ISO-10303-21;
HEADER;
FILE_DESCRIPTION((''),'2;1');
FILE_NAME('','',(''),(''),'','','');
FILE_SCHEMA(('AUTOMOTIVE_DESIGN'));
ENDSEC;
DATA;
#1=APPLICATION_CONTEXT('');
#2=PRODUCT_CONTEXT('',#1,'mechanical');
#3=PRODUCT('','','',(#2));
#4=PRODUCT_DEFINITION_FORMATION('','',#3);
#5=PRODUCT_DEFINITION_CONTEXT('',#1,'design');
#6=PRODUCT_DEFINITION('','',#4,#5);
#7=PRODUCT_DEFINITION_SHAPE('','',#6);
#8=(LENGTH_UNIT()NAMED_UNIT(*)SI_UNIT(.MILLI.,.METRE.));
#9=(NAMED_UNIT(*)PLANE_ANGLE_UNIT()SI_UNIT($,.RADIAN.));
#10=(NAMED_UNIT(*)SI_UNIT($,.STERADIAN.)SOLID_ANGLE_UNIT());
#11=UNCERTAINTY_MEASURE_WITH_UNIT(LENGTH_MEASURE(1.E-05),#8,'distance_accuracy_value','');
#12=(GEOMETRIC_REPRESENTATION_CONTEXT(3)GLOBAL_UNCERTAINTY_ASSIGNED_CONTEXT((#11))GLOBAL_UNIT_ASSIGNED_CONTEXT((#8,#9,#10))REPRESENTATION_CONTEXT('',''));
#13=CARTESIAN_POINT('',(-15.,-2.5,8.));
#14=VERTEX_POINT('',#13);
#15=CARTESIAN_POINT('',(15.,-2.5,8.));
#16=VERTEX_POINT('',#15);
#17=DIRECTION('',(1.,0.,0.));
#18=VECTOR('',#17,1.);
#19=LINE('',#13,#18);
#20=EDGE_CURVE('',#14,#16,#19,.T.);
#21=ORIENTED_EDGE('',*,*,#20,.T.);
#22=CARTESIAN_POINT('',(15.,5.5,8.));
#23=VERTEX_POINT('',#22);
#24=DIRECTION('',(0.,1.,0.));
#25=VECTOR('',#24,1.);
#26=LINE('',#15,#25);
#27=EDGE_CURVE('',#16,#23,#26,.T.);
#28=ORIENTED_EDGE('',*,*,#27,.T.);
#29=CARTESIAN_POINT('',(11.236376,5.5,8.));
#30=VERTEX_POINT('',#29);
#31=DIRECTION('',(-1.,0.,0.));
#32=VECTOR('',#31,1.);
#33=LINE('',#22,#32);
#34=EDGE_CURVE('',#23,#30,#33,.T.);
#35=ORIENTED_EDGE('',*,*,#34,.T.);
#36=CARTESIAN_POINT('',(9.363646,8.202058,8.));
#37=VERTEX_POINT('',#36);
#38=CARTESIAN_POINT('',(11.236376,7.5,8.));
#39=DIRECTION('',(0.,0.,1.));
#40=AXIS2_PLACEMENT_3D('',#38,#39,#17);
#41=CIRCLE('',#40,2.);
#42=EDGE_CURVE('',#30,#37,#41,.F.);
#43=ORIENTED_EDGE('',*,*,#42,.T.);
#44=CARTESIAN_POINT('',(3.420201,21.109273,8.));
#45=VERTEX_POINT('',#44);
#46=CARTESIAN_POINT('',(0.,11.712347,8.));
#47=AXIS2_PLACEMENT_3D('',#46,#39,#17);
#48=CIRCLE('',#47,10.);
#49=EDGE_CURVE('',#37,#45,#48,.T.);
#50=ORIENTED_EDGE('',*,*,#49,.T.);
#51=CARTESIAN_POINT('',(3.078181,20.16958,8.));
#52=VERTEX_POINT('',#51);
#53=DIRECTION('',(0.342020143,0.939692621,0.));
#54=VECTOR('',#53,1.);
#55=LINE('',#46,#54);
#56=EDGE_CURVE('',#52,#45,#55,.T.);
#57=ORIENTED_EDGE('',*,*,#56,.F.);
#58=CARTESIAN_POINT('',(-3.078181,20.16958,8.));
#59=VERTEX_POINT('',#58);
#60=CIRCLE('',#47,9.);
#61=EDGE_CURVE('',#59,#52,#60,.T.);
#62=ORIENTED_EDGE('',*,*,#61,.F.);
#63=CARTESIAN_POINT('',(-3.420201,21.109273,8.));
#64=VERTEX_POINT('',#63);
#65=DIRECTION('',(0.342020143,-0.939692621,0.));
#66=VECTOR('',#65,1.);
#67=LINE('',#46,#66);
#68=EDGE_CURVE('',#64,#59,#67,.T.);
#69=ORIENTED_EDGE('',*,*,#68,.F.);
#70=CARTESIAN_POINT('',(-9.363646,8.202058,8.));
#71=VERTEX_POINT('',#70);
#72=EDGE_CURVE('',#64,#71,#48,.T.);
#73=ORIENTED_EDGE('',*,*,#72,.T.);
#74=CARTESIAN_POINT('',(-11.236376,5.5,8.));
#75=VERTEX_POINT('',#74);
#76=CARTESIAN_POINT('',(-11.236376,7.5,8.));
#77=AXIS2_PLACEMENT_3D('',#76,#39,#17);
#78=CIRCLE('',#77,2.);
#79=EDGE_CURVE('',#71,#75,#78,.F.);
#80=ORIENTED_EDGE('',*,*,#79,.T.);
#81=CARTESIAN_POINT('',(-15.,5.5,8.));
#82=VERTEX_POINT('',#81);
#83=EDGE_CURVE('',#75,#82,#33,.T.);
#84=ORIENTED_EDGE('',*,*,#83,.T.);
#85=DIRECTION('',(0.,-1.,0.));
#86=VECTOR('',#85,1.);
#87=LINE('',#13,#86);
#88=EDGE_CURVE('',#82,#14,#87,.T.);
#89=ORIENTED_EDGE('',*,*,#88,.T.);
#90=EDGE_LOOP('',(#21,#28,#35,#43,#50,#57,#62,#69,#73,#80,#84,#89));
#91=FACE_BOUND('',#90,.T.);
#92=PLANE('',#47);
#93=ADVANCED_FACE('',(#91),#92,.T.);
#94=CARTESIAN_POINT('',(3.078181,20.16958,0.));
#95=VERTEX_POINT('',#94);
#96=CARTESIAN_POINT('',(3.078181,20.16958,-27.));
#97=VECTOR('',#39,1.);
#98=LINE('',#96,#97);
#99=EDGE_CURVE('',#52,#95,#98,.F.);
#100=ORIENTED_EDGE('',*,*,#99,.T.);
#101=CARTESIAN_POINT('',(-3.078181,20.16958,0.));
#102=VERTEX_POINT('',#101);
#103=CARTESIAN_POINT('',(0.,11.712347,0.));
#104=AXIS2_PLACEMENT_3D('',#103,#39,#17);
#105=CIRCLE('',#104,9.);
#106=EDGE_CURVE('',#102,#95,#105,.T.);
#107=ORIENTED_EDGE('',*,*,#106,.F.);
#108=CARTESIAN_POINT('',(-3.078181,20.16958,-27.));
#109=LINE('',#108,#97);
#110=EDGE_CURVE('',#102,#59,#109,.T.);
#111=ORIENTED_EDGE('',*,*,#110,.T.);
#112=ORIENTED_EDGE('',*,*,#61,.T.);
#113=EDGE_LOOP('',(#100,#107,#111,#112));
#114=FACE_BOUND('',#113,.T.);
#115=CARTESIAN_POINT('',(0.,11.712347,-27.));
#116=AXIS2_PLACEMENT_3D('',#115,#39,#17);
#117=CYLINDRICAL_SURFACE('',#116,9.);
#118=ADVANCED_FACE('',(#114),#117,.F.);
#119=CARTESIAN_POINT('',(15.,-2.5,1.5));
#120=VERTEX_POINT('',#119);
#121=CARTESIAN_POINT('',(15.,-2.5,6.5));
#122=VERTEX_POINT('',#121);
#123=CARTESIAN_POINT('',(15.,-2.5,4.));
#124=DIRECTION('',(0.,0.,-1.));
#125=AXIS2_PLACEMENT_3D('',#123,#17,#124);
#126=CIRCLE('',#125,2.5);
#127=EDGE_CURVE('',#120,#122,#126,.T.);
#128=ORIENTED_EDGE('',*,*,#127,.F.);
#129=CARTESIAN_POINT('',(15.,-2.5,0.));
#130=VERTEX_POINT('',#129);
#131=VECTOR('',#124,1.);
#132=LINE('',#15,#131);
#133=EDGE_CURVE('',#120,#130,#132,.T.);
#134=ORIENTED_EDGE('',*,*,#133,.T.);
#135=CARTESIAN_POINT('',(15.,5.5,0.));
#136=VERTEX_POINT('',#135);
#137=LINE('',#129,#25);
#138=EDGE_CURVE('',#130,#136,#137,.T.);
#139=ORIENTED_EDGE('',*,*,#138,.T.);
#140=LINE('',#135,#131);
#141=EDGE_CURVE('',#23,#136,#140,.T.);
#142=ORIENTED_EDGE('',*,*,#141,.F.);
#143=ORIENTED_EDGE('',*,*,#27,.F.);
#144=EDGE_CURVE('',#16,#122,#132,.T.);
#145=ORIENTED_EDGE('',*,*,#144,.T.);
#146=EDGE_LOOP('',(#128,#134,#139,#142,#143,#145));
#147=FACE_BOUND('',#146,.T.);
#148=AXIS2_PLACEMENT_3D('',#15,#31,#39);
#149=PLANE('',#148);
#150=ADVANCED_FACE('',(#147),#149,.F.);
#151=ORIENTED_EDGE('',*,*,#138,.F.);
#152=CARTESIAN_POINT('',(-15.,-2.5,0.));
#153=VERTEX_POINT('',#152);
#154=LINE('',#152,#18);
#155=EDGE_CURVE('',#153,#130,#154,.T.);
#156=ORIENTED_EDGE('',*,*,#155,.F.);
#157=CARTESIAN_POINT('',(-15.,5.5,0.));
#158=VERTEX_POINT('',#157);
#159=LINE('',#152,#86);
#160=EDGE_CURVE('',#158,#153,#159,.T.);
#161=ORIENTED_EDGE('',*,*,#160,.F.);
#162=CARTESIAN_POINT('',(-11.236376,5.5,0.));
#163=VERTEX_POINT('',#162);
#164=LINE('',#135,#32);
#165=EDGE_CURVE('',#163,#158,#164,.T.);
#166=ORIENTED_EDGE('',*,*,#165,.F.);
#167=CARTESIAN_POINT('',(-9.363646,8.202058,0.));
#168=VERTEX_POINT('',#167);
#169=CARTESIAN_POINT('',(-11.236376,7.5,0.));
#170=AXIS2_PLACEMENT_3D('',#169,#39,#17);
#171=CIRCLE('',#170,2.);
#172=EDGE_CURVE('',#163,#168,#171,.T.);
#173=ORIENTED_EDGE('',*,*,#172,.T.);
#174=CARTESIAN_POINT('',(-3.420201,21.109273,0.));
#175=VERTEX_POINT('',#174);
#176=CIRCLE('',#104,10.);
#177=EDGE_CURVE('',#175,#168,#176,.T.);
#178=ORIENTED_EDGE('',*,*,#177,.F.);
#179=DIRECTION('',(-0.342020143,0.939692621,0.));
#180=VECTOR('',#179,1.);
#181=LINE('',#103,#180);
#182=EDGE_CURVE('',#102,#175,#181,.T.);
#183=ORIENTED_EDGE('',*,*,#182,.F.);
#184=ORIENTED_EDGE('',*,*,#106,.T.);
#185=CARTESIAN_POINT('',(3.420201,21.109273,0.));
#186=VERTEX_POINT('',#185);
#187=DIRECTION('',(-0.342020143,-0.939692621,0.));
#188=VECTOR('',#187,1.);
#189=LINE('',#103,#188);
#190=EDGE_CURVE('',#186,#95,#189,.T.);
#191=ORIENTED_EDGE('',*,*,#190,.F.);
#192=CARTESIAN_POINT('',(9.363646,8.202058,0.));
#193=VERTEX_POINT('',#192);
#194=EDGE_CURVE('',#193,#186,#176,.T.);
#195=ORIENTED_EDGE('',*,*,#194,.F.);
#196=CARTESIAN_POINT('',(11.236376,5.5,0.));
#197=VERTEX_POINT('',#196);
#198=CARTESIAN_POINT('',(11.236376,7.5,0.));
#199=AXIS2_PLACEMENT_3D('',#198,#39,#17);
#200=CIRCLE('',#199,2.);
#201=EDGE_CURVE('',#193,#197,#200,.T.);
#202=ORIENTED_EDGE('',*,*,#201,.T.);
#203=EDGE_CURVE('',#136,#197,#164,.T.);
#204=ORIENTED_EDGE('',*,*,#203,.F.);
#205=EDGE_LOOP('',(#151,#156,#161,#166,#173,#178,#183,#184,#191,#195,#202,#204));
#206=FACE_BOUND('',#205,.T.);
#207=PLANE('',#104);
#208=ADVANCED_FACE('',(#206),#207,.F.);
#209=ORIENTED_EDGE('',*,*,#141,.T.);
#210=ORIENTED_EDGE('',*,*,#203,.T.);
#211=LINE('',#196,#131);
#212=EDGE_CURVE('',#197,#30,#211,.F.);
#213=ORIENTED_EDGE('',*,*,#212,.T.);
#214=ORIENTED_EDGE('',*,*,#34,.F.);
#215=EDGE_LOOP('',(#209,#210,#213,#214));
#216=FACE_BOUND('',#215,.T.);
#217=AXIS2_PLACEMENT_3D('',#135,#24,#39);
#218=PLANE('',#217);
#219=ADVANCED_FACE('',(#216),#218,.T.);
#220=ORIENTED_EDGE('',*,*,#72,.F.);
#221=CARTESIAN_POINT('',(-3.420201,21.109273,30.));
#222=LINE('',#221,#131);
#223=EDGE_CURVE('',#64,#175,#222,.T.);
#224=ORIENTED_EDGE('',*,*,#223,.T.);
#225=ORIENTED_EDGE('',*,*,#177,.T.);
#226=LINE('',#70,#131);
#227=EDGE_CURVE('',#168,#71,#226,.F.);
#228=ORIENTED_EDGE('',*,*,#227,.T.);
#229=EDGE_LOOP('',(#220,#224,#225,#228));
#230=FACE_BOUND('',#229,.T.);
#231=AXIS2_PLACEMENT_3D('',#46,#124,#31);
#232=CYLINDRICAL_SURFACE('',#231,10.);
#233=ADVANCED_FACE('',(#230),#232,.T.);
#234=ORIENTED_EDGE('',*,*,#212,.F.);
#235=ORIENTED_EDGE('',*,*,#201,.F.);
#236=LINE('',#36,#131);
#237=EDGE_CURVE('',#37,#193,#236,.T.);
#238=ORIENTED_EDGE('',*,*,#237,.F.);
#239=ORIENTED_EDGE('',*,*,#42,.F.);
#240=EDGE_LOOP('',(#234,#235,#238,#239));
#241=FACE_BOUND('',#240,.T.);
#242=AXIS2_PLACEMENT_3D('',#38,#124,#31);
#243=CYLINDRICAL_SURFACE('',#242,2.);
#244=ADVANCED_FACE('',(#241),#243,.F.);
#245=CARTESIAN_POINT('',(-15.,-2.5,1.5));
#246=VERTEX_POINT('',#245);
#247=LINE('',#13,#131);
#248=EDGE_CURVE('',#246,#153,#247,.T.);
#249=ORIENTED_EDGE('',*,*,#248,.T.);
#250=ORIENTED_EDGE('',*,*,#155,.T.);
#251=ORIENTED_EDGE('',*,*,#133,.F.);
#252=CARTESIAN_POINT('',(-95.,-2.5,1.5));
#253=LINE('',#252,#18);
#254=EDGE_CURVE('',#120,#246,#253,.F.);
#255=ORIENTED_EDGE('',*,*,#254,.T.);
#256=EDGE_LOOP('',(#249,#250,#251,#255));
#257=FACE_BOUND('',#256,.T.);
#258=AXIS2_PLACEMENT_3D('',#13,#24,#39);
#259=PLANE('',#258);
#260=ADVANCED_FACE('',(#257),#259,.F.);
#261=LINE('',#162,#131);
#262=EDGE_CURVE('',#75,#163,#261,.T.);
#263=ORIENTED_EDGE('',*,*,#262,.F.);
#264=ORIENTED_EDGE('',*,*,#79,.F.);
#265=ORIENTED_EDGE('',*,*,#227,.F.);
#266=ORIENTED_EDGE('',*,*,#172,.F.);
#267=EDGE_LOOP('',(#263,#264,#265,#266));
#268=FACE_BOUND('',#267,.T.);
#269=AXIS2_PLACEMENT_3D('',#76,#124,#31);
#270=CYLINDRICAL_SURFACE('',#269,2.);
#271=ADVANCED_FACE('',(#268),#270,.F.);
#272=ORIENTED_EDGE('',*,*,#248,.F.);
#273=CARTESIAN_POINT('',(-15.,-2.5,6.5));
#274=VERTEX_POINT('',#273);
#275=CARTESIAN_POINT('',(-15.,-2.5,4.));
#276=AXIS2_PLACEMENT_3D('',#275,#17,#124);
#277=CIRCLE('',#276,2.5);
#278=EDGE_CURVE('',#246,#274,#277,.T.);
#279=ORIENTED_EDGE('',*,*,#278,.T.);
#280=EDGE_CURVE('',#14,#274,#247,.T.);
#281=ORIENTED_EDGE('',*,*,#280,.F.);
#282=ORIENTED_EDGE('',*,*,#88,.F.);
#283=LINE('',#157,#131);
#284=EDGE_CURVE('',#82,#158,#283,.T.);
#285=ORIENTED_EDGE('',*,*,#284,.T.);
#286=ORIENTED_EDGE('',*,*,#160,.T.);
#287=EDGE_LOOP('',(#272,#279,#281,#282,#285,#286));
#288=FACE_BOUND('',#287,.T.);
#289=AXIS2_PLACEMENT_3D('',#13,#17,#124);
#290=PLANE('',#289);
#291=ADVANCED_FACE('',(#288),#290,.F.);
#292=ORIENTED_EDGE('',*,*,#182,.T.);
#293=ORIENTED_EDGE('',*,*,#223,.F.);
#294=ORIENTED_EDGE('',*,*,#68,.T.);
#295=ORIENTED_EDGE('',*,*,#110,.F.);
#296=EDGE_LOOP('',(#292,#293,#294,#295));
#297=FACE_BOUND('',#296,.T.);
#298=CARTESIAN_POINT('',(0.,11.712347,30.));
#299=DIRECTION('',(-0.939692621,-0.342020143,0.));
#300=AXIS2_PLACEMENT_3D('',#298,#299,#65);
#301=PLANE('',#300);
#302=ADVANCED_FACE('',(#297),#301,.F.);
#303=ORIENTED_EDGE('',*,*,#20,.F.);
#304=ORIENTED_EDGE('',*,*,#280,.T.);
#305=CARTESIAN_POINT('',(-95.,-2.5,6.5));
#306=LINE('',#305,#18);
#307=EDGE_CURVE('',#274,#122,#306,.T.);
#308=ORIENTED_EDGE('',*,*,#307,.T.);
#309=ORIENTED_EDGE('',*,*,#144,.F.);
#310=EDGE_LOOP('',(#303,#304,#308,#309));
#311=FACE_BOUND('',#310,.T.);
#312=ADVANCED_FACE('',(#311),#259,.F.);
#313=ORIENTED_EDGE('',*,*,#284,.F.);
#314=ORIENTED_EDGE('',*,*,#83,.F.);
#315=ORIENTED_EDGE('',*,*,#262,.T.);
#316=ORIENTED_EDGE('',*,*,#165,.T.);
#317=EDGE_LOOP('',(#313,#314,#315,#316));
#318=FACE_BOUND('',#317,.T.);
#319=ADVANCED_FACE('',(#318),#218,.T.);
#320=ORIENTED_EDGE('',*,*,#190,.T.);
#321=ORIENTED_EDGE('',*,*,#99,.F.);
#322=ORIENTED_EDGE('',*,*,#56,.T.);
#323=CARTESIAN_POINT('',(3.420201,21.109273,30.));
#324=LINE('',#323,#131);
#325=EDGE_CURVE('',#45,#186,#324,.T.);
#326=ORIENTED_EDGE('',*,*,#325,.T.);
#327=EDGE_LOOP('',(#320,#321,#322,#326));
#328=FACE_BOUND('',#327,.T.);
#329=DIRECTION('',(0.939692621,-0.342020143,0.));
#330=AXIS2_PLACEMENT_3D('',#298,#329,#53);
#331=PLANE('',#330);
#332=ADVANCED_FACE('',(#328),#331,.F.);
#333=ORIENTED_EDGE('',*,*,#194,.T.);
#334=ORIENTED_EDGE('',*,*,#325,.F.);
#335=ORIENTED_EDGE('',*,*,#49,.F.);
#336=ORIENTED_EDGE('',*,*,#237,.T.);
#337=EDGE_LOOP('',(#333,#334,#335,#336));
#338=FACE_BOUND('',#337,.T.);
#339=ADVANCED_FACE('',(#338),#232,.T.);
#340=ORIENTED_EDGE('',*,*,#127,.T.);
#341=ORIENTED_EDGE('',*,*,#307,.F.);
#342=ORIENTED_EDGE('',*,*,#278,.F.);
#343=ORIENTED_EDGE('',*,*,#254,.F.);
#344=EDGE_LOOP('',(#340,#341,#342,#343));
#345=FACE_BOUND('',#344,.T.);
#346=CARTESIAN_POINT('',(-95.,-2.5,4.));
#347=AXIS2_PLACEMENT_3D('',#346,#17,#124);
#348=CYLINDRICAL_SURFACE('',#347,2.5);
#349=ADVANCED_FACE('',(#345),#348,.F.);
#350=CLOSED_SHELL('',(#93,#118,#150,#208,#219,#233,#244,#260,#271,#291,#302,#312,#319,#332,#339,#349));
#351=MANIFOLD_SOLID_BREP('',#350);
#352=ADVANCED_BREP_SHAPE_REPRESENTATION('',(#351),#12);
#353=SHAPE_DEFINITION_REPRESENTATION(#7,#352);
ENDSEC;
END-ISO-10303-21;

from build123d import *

# Parameters (mm, degrees)
BOSS_EXTRUDE1_DEPTH = 8
SKETCH2_R           = 9
CUT_EXTRUDE1_DEPTH  = 35
SKETCH3_W           = 0.5
SKETCH3_H           = 1.875425002
CUT_EXTRUDE2_DEPTH  = 25
SKETCH4_R           = 2.5
CUT_EXTRUDE3_DEPTH  = 110
SKETCH6_W           = 5
SKETCH6_H           = 7.147198513
CUT_EXTRUDE4_DEPTH  = 10
FILLET1_R           = 0.5
SKETCH8_W           = 8
SKETCH8_H           = 3
BOSS_EXTRUDE2_DEPTH = 30
SKETCH9_R           = 9
CUT_EXTRUDE5_DEPTH  = 30
FILLET2_R           = 2
CUT_EXTRUDE7_DEPTH  = 30


with BuildPart() as part:
    # Sketch1 → Boss-Extrude1 (new body)
    with BuildSketch(Plane.XY):
        with BuildLine():
            Line((3.89007335, 2.5), (15, 2.5))
            Line((15, 2.5), (15, -2.5))
            Line((15, -2.5), (-15, -2.5))
            Line((-15, -2.5), (-15, 2.5))
            Line((-15, 2.5), (-3.89007335, 2.5))
            ThreePointArc((-3.89007335, 2.5), (0, 21.71234657), (3.89007335, 2.5))
        make_face()
    extrude(amount=BOSS_EXTRUDE1_DEPTH)

    # Sketch2 → Cut-Extrude1 (cut)
    with BuildSketch(Plane.XY.offset(8)):
        with Locations((0, 11.71234657)):
            Circle(SKETCH2_R)
    extrude(amount=-CUT_EXTRUDE1_DEPTH, mode=Mode.SUBTRACT)

    # Sketch3 → Cut-Extrude2 (cut)
    with BuildSketch(Plane(origin=(0, 0, 0), x_dir=(-1, 0, 0), z_dir=(0, 0, -1))):
        with Locations((0, 21.521483579)):
            Rectangle(SKETCH3_W, SKETCH3_H)
    extrude(amount=-CUT_EXTRUDE2_DEPTH, mode=Mode.SUBTRACT)

    # Sketch4 → Cut-Extrude3 (cut)
    with BuildSketch(Plane(origin=(15, 0, 0), x_dir=(0, 0, -1), z_dir=(1, 0, 0))):
        with Locations((-4, -2.5)):
            Circle(SKETCH4_R)
    extrude(amount=-CUT_EXTRUDE3_DEPTH, mode=Mode.SUBTRACT)

    # Sketch6 → Cut-Extrude4 (cut)
    with BuildSketch(Plane.XY.offset(8)):
        with Locations((0, 22.731746569)):
            Rectangle(SKETCH6_W, SKETCH6_H)
    extrude(amount=-CUT_EXTRUDE4_DEPTH, mode=Mode.SUBTRACT)

    # Fillet1
    fillet1_edges = [part.edges().sort_by_distance(p)[0] for p in [
        (-3.89007335, 2.5, 4),
        (3.89007335, 2.5, 4),
    ]]
    fillet(fillet1_edges, radius=FILLET1_R)

    # Sketch8 → Boss-Extrude2 (add)
    with BuildSketch(Plane.ZY.offset(15)):
        with Locations((4, 4)):
            Rectangle(SKETCH8_W, SKETCH8_H)
    extrude(amount=-BOSS_EXTRUDE2_DEPTH)

    # Sketch9 → Cut-Extrude5 (cut)
    with BuildSketch(Plane(origin=(0, 0, 0), x_dir=(-1, 0, 0), z_dir=(0, 0, -1))):
        with Locations((0, 11.71234657)):
            Circle(SKETCH9_R)
    extrude(amount=-CUT_EXTRUDE5_DEPTH, mode=Mode.SUBTRACT)

    # Fillet2
    fillet2_edges = [part.edges().sort_by_distance(p)[0] for p in [
        (-7.836245918, 5.5, 4),
        (7.836245918, 5.5, 4),
    ]]
    fillet(fillet2_edges, radius=FILLET2_R)

    # Sketch10 → Cut-Extrude7 (cut)
    with BuildSketch(Plane(origin=(0, 0, 0), x_dir=(-1, 0, 0), z_dir=(0, 0, -1))):
        with BuildLine():
            Line((0, 11.71234657), (3.420201433, 21.109272778))
            ThreePointArc((3.420201433, 21.109272778), (0, 24.529474212), (-3.420201433, 21.109272778))
            Line((-3.420201433, 21.109272778), (0, 11.71234657))
        make_face()
    extrude(amount=-CUT_EXTRUDE7_DEPTH, mode=Mode.SUBTRACT)


solid = part.part
